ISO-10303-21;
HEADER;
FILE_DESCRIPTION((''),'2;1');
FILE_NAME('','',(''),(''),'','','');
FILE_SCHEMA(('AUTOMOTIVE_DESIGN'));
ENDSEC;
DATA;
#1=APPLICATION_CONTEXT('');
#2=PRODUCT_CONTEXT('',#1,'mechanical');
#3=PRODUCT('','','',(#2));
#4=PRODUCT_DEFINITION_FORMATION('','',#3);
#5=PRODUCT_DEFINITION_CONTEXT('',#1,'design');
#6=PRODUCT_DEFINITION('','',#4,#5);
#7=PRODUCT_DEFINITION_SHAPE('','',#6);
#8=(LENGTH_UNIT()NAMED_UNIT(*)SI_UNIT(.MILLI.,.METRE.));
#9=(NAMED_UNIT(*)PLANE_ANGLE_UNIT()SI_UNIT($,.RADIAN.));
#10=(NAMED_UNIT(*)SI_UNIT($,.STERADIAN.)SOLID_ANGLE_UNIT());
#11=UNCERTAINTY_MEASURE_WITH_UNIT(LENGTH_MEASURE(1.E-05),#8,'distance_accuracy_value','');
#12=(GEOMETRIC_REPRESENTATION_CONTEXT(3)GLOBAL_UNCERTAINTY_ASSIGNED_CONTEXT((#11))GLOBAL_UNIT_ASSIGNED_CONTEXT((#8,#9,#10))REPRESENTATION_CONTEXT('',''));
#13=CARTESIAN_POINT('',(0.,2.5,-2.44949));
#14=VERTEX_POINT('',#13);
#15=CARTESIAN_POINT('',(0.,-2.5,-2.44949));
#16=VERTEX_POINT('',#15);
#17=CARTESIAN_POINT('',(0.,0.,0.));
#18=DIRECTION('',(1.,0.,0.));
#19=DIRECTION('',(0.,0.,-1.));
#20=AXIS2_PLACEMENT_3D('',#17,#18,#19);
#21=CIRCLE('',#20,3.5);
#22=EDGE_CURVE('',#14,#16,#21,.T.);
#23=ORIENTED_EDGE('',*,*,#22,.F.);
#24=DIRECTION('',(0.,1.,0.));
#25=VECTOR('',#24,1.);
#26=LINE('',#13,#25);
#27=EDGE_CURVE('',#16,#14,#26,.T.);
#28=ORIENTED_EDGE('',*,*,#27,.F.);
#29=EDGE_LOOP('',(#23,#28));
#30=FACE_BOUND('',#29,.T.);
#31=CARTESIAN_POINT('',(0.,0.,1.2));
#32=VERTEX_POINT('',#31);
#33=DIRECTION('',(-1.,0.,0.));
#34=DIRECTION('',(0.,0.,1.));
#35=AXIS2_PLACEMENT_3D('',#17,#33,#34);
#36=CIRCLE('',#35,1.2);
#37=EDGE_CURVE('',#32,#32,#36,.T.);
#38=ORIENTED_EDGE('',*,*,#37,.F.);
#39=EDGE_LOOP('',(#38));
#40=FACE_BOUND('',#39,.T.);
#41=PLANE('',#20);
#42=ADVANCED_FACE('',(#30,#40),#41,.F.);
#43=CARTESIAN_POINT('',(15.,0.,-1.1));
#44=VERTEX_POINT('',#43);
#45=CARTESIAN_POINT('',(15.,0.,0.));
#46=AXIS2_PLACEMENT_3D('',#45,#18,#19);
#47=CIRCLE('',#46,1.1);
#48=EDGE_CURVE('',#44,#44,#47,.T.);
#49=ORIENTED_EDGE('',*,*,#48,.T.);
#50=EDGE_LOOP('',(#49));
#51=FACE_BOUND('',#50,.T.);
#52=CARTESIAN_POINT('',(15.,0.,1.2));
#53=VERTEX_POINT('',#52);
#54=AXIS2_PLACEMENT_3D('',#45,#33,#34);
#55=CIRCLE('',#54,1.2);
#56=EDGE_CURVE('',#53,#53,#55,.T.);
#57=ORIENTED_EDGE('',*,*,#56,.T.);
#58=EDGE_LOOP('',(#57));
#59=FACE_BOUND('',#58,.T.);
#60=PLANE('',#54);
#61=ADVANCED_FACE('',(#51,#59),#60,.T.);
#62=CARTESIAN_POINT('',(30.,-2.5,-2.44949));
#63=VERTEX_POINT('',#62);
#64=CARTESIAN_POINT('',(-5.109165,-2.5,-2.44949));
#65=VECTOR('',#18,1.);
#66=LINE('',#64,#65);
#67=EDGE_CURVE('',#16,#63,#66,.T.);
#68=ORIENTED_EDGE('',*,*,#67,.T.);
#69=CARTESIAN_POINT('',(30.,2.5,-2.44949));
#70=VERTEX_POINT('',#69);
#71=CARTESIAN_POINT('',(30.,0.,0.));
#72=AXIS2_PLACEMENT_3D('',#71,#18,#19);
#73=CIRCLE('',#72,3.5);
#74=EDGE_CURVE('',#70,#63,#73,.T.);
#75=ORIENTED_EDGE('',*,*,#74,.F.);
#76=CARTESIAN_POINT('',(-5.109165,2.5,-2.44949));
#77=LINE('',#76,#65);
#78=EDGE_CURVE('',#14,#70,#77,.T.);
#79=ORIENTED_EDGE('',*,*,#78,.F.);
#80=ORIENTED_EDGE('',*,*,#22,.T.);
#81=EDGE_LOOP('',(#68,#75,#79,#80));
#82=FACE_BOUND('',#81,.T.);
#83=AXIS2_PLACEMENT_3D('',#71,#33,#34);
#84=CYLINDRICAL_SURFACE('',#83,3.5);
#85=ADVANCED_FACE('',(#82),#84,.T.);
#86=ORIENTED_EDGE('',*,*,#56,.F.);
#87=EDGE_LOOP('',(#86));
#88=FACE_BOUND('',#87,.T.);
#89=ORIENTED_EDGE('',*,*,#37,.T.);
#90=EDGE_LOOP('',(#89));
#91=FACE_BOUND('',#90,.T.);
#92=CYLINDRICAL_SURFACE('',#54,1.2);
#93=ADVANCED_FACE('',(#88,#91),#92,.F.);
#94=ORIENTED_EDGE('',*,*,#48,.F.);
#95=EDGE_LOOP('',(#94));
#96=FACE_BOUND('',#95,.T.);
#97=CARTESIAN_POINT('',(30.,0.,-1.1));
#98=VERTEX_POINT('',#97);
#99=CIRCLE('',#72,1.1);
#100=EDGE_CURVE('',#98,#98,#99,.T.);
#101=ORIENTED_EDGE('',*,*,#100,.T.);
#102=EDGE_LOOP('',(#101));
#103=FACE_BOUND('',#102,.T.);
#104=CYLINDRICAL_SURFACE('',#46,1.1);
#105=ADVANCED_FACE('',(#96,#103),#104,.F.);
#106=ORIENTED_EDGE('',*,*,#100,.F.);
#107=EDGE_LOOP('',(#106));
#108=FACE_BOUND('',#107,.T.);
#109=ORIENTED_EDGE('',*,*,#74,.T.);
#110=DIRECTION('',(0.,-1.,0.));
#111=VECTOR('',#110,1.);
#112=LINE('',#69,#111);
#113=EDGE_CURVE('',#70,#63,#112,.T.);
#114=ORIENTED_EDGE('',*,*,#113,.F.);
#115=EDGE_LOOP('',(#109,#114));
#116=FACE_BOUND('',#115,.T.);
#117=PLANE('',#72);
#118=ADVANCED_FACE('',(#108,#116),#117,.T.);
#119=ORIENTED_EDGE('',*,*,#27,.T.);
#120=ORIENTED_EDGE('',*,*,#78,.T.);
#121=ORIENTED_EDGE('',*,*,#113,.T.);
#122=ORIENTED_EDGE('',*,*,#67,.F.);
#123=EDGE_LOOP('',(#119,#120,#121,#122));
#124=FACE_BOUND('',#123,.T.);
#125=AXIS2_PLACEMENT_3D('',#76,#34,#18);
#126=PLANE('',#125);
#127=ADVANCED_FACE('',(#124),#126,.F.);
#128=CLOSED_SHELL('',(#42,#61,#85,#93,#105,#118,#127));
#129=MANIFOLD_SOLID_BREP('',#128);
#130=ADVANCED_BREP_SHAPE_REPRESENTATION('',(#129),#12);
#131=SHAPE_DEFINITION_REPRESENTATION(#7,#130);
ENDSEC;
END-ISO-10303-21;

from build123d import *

# Parameters (mm, degrees)
SKETCH1_R           = 3.5
BOSS_EXTRUDE1_DEPTH = 30
SKETCH2_R           = 1.2
CUT_EXTRUDE1_DEPTH  = 15
SKETCH3_R           = 1.1
CUT_EXTRUDE2_DEPTH  = 15
CUT_EXTRUDE3_START  = -30
CUT_EXTRUDE3_DEPTH  = 30


with BuildPart() as part:
    # Sketch1 → Boss-Extrude1 (new body)
    with BuildSketch(Plane(origin=(0, 0, 0), x_dir=(0, 0, -1), z_dir=(1, 0, 0))):
        Circle(SKETCH1_R)
    extrude(amount=BOSS_EXTRUDE1_DEPTH)

    # Sketch2 → Cut-Extrude1 (cut)
    with BuildSketch(Plane.ZY):
        Circle(SKETCH2_R)
    extrude(amount=-CUT_EXTRUDE1_DEPTH, mode=Mode.SUBTRACT)

    # Sketch3 → Cut-Extrude2 (cut)
    with BuildSketch(Plane(origin=(30, 0, 0), x_dir=(0, 0, -1), z_dir=(1, 0, 0))):
        Circle(SKETCH3_R)
    extrude(amount=-CUT_EXTRUDE2_DEPTH, mode=Mode.SUBTRACT)

    # Sketch4 → Cut-Extrude3 (cut)
    with BuildSketch(Plane(origin=(30, 0, 0), x_dir=(0, 0, -1), z_dir=(1, 0, 0)).offset(CUT_EXTRUDE3_START)):
        with BuildLine():
            Line((2.449489743, 2.5), (2.449489743, -2.5))
            ThreePointArc((2.449489743, -2.5), (3.5, 0), (2.449489743, 2.5))
        make_face()
    extrude(amount=CUT_EXTRUDE3_DEPTH, mode=Mode.SUBTRACT)


solid = part.part
